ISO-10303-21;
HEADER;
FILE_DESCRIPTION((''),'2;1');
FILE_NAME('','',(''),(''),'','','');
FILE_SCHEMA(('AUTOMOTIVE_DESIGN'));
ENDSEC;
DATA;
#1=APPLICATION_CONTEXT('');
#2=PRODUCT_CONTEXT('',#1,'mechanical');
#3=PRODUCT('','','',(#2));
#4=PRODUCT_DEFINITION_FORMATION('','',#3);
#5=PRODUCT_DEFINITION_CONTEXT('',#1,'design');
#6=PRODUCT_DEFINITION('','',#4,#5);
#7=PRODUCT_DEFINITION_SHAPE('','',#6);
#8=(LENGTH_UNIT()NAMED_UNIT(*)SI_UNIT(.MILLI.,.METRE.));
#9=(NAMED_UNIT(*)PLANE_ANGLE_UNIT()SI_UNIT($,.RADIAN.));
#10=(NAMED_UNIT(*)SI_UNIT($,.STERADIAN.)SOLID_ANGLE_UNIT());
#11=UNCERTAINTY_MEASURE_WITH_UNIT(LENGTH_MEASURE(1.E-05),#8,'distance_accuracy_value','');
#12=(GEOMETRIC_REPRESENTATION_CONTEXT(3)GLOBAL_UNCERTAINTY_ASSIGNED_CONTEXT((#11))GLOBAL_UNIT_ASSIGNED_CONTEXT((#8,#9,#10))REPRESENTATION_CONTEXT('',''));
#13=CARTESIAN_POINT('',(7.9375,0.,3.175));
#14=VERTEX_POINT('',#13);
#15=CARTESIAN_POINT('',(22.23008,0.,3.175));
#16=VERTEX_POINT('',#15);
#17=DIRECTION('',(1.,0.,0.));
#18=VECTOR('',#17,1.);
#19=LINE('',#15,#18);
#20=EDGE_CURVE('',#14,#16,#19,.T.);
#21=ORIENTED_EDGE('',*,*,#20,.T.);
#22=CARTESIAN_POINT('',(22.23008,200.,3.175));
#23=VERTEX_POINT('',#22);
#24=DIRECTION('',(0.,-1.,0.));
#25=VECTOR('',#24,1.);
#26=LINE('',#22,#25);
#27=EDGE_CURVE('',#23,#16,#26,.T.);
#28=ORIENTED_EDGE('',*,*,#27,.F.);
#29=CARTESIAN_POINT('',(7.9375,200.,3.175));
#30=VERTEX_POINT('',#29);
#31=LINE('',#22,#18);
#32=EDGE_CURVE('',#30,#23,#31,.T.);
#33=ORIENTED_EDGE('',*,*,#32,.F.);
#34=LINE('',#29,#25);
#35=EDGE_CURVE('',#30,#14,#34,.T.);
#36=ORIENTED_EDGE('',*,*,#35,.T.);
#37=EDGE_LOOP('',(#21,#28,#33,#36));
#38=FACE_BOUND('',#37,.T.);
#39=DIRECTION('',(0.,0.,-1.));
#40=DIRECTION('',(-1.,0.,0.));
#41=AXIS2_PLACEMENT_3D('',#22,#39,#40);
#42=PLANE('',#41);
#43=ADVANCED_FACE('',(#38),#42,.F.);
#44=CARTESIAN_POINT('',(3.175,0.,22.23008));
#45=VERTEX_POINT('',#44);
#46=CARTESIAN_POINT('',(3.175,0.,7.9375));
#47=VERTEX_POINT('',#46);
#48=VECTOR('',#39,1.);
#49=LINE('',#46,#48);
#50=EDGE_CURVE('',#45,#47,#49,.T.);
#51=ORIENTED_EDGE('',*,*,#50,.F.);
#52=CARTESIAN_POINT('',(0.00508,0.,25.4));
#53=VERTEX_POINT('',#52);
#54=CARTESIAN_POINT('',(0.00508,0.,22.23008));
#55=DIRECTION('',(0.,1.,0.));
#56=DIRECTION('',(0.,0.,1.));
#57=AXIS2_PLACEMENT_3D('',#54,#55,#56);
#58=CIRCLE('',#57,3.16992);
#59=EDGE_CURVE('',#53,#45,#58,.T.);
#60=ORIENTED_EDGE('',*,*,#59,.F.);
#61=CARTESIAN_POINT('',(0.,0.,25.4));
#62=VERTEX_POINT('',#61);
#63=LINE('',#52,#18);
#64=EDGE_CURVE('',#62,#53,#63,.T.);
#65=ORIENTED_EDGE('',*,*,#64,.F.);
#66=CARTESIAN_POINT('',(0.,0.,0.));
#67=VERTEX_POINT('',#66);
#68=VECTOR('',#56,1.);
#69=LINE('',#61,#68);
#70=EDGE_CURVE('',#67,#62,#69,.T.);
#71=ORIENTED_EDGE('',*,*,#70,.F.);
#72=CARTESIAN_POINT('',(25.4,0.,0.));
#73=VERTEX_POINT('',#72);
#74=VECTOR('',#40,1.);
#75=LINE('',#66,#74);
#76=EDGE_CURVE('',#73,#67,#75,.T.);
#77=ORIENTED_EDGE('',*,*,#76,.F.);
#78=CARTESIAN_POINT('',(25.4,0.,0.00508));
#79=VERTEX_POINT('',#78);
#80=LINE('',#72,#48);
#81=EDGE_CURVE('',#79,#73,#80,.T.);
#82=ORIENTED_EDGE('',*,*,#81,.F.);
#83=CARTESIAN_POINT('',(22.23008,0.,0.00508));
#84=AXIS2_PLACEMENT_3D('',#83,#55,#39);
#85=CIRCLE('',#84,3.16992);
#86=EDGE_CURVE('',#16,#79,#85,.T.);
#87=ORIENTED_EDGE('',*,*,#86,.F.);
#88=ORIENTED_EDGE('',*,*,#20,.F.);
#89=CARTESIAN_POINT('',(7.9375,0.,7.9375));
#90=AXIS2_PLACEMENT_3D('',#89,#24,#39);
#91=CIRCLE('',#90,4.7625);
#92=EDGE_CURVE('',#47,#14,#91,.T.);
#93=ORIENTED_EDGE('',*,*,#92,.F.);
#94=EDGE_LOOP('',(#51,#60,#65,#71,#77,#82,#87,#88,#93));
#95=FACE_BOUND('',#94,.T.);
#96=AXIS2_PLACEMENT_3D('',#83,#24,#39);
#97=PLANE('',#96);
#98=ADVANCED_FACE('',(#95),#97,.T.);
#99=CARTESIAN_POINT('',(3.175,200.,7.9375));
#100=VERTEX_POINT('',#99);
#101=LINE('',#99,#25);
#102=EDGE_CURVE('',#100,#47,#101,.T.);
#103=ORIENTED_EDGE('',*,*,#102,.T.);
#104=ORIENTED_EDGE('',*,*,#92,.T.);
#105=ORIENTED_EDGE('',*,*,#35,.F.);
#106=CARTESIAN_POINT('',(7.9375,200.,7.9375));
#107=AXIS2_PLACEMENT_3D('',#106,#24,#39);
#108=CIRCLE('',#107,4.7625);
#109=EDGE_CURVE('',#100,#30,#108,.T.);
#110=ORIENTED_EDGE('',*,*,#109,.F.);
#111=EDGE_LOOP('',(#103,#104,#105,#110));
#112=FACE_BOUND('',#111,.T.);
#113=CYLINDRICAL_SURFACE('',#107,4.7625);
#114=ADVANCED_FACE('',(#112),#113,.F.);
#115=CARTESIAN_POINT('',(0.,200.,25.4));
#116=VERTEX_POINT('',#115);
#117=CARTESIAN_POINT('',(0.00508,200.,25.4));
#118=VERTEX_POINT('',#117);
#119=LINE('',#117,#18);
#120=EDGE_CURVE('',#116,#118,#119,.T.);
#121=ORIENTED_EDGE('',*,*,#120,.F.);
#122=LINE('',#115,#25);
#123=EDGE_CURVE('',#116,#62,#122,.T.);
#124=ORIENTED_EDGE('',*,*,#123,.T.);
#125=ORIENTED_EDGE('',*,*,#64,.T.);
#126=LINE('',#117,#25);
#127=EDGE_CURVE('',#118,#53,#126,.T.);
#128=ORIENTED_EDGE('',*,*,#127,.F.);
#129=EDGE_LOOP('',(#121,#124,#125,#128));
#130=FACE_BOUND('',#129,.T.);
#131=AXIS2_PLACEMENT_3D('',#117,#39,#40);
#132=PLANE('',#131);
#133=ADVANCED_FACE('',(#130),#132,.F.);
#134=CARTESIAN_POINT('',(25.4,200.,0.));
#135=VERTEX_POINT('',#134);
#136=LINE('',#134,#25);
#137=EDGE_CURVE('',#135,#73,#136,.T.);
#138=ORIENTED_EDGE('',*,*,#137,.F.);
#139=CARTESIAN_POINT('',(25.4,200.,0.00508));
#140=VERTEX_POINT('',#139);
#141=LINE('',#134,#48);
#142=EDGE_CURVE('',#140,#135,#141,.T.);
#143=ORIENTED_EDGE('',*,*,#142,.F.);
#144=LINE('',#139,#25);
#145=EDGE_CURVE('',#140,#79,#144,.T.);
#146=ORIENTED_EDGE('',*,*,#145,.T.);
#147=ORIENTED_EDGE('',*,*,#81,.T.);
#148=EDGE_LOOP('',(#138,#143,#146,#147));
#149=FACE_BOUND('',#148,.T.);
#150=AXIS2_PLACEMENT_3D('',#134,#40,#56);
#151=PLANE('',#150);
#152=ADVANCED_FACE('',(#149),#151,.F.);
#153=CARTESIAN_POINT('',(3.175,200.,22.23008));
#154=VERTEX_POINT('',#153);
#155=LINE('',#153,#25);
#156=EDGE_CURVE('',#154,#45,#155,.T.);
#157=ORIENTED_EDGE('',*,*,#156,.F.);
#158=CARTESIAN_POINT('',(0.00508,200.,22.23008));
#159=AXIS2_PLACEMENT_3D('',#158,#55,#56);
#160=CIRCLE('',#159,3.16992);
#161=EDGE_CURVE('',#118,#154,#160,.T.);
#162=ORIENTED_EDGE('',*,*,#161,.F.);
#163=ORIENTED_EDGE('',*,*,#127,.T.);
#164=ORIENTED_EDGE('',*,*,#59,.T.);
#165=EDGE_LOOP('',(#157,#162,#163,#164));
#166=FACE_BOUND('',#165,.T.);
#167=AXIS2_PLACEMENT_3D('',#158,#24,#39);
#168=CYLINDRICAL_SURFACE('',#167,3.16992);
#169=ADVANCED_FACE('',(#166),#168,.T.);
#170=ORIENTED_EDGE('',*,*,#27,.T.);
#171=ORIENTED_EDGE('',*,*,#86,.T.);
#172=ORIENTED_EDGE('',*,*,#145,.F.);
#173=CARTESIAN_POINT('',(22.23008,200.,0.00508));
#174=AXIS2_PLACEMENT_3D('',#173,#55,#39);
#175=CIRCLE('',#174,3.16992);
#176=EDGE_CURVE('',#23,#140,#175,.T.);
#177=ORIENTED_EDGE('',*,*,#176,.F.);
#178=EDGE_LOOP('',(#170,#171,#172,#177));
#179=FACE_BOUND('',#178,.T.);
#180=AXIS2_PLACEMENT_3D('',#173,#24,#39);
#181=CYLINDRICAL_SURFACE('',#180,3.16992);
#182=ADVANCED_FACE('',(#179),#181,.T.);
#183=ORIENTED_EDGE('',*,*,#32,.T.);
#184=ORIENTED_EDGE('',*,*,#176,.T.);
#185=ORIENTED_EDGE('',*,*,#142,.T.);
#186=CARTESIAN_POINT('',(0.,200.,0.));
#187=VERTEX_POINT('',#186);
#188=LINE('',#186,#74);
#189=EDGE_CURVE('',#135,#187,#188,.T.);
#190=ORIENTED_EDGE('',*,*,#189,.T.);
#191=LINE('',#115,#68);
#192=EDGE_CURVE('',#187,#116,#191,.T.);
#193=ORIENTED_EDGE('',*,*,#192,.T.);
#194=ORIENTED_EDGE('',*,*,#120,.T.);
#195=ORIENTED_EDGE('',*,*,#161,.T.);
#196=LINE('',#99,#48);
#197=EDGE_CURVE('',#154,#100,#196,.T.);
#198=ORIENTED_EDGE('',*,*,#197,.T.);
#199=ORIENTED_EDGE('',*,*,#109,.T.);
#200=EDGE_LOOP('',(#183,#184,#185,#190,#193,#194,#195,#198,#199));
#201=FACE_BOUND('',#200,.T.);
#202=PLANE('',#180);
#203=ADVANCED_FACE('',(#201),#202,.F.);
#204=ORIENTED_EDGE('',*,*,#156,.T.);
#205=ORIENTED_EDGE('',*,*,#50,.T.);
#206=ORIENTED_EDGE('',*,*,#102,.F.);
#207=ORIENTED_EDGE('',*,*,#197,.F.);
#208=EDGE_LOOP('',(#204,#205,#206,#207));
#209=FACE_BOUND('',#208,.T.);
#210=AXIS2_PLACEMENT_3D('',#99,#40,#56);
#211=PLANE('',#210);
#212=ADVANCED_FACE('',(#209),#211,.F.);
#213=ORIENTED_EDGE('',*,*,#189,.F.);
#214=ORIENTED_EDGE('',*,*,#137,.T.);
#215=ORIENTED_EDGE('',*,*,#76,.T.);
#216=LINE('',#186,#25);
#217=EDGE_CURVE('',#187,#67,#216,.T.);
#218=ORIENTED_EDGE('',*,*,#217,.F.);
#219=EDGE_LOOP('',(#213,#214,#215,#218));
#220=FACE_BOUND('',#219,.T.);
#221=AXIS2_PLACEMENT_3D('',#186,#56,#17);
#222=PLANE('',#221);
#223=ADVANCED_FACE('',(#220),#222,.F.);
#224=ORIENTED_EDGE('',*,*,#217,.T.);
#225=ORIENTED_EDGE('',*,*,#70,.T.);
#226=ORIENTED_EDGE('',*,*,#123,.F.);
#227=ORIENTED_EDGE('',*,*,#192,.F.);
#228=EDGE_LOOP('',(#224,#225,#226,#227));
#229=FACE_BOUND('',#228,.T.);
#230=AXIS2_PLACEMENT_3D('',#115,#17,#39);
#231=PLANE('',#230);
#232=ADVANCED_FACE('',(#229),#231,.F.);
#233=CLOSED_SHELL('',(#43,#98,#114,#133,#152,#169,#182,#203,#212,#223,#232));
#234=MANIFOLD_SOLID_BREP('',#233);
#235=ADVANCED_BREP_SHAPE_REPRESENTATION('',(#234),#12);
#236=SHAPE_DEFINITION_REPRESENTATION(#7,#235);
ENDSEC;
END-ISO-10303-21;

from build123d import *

# Parameters (mm, degrees)
HIERRO_ANGULAR_1_X_1_X_0_125_1_DEPTH = 200


with BuildPart() as part:
    # Sketch1 → Hierro angular 1 X 1 X 0.125(1) (new body)
    with BuildSketch(Plane.ZX):
        with BuildLine():
            Line((0, 0), (0, 25.4))
            Line((0, 25.4), (0.00508, 25.4))
            ThreePointArc((0.00508, 25.4), (2.246551928, 24.471551928), (3.175, 22.23008))
            Line((3.175, 22.23008), (3.175, 7.9375))
            ThreePointArc((3.175, 7.9375), (4.569903955, 4.569903955), (7.9375, 3.175))
            Line((7.9375, 3.175), (22.23008, 3.175))
            ThreePointArc((22.23008, 3.175), (24.471551928, 2.246551928), (25.4, 0.00508))
            Line((25.4, 0.00508), (25.4, 0))
            Line((25.4, 0), (0, 0))
        make_face()
    extrude(amount=HIERRO_ANGULAR_1_X_1_X_0_125_1_DEPTH)


solid = part.part
